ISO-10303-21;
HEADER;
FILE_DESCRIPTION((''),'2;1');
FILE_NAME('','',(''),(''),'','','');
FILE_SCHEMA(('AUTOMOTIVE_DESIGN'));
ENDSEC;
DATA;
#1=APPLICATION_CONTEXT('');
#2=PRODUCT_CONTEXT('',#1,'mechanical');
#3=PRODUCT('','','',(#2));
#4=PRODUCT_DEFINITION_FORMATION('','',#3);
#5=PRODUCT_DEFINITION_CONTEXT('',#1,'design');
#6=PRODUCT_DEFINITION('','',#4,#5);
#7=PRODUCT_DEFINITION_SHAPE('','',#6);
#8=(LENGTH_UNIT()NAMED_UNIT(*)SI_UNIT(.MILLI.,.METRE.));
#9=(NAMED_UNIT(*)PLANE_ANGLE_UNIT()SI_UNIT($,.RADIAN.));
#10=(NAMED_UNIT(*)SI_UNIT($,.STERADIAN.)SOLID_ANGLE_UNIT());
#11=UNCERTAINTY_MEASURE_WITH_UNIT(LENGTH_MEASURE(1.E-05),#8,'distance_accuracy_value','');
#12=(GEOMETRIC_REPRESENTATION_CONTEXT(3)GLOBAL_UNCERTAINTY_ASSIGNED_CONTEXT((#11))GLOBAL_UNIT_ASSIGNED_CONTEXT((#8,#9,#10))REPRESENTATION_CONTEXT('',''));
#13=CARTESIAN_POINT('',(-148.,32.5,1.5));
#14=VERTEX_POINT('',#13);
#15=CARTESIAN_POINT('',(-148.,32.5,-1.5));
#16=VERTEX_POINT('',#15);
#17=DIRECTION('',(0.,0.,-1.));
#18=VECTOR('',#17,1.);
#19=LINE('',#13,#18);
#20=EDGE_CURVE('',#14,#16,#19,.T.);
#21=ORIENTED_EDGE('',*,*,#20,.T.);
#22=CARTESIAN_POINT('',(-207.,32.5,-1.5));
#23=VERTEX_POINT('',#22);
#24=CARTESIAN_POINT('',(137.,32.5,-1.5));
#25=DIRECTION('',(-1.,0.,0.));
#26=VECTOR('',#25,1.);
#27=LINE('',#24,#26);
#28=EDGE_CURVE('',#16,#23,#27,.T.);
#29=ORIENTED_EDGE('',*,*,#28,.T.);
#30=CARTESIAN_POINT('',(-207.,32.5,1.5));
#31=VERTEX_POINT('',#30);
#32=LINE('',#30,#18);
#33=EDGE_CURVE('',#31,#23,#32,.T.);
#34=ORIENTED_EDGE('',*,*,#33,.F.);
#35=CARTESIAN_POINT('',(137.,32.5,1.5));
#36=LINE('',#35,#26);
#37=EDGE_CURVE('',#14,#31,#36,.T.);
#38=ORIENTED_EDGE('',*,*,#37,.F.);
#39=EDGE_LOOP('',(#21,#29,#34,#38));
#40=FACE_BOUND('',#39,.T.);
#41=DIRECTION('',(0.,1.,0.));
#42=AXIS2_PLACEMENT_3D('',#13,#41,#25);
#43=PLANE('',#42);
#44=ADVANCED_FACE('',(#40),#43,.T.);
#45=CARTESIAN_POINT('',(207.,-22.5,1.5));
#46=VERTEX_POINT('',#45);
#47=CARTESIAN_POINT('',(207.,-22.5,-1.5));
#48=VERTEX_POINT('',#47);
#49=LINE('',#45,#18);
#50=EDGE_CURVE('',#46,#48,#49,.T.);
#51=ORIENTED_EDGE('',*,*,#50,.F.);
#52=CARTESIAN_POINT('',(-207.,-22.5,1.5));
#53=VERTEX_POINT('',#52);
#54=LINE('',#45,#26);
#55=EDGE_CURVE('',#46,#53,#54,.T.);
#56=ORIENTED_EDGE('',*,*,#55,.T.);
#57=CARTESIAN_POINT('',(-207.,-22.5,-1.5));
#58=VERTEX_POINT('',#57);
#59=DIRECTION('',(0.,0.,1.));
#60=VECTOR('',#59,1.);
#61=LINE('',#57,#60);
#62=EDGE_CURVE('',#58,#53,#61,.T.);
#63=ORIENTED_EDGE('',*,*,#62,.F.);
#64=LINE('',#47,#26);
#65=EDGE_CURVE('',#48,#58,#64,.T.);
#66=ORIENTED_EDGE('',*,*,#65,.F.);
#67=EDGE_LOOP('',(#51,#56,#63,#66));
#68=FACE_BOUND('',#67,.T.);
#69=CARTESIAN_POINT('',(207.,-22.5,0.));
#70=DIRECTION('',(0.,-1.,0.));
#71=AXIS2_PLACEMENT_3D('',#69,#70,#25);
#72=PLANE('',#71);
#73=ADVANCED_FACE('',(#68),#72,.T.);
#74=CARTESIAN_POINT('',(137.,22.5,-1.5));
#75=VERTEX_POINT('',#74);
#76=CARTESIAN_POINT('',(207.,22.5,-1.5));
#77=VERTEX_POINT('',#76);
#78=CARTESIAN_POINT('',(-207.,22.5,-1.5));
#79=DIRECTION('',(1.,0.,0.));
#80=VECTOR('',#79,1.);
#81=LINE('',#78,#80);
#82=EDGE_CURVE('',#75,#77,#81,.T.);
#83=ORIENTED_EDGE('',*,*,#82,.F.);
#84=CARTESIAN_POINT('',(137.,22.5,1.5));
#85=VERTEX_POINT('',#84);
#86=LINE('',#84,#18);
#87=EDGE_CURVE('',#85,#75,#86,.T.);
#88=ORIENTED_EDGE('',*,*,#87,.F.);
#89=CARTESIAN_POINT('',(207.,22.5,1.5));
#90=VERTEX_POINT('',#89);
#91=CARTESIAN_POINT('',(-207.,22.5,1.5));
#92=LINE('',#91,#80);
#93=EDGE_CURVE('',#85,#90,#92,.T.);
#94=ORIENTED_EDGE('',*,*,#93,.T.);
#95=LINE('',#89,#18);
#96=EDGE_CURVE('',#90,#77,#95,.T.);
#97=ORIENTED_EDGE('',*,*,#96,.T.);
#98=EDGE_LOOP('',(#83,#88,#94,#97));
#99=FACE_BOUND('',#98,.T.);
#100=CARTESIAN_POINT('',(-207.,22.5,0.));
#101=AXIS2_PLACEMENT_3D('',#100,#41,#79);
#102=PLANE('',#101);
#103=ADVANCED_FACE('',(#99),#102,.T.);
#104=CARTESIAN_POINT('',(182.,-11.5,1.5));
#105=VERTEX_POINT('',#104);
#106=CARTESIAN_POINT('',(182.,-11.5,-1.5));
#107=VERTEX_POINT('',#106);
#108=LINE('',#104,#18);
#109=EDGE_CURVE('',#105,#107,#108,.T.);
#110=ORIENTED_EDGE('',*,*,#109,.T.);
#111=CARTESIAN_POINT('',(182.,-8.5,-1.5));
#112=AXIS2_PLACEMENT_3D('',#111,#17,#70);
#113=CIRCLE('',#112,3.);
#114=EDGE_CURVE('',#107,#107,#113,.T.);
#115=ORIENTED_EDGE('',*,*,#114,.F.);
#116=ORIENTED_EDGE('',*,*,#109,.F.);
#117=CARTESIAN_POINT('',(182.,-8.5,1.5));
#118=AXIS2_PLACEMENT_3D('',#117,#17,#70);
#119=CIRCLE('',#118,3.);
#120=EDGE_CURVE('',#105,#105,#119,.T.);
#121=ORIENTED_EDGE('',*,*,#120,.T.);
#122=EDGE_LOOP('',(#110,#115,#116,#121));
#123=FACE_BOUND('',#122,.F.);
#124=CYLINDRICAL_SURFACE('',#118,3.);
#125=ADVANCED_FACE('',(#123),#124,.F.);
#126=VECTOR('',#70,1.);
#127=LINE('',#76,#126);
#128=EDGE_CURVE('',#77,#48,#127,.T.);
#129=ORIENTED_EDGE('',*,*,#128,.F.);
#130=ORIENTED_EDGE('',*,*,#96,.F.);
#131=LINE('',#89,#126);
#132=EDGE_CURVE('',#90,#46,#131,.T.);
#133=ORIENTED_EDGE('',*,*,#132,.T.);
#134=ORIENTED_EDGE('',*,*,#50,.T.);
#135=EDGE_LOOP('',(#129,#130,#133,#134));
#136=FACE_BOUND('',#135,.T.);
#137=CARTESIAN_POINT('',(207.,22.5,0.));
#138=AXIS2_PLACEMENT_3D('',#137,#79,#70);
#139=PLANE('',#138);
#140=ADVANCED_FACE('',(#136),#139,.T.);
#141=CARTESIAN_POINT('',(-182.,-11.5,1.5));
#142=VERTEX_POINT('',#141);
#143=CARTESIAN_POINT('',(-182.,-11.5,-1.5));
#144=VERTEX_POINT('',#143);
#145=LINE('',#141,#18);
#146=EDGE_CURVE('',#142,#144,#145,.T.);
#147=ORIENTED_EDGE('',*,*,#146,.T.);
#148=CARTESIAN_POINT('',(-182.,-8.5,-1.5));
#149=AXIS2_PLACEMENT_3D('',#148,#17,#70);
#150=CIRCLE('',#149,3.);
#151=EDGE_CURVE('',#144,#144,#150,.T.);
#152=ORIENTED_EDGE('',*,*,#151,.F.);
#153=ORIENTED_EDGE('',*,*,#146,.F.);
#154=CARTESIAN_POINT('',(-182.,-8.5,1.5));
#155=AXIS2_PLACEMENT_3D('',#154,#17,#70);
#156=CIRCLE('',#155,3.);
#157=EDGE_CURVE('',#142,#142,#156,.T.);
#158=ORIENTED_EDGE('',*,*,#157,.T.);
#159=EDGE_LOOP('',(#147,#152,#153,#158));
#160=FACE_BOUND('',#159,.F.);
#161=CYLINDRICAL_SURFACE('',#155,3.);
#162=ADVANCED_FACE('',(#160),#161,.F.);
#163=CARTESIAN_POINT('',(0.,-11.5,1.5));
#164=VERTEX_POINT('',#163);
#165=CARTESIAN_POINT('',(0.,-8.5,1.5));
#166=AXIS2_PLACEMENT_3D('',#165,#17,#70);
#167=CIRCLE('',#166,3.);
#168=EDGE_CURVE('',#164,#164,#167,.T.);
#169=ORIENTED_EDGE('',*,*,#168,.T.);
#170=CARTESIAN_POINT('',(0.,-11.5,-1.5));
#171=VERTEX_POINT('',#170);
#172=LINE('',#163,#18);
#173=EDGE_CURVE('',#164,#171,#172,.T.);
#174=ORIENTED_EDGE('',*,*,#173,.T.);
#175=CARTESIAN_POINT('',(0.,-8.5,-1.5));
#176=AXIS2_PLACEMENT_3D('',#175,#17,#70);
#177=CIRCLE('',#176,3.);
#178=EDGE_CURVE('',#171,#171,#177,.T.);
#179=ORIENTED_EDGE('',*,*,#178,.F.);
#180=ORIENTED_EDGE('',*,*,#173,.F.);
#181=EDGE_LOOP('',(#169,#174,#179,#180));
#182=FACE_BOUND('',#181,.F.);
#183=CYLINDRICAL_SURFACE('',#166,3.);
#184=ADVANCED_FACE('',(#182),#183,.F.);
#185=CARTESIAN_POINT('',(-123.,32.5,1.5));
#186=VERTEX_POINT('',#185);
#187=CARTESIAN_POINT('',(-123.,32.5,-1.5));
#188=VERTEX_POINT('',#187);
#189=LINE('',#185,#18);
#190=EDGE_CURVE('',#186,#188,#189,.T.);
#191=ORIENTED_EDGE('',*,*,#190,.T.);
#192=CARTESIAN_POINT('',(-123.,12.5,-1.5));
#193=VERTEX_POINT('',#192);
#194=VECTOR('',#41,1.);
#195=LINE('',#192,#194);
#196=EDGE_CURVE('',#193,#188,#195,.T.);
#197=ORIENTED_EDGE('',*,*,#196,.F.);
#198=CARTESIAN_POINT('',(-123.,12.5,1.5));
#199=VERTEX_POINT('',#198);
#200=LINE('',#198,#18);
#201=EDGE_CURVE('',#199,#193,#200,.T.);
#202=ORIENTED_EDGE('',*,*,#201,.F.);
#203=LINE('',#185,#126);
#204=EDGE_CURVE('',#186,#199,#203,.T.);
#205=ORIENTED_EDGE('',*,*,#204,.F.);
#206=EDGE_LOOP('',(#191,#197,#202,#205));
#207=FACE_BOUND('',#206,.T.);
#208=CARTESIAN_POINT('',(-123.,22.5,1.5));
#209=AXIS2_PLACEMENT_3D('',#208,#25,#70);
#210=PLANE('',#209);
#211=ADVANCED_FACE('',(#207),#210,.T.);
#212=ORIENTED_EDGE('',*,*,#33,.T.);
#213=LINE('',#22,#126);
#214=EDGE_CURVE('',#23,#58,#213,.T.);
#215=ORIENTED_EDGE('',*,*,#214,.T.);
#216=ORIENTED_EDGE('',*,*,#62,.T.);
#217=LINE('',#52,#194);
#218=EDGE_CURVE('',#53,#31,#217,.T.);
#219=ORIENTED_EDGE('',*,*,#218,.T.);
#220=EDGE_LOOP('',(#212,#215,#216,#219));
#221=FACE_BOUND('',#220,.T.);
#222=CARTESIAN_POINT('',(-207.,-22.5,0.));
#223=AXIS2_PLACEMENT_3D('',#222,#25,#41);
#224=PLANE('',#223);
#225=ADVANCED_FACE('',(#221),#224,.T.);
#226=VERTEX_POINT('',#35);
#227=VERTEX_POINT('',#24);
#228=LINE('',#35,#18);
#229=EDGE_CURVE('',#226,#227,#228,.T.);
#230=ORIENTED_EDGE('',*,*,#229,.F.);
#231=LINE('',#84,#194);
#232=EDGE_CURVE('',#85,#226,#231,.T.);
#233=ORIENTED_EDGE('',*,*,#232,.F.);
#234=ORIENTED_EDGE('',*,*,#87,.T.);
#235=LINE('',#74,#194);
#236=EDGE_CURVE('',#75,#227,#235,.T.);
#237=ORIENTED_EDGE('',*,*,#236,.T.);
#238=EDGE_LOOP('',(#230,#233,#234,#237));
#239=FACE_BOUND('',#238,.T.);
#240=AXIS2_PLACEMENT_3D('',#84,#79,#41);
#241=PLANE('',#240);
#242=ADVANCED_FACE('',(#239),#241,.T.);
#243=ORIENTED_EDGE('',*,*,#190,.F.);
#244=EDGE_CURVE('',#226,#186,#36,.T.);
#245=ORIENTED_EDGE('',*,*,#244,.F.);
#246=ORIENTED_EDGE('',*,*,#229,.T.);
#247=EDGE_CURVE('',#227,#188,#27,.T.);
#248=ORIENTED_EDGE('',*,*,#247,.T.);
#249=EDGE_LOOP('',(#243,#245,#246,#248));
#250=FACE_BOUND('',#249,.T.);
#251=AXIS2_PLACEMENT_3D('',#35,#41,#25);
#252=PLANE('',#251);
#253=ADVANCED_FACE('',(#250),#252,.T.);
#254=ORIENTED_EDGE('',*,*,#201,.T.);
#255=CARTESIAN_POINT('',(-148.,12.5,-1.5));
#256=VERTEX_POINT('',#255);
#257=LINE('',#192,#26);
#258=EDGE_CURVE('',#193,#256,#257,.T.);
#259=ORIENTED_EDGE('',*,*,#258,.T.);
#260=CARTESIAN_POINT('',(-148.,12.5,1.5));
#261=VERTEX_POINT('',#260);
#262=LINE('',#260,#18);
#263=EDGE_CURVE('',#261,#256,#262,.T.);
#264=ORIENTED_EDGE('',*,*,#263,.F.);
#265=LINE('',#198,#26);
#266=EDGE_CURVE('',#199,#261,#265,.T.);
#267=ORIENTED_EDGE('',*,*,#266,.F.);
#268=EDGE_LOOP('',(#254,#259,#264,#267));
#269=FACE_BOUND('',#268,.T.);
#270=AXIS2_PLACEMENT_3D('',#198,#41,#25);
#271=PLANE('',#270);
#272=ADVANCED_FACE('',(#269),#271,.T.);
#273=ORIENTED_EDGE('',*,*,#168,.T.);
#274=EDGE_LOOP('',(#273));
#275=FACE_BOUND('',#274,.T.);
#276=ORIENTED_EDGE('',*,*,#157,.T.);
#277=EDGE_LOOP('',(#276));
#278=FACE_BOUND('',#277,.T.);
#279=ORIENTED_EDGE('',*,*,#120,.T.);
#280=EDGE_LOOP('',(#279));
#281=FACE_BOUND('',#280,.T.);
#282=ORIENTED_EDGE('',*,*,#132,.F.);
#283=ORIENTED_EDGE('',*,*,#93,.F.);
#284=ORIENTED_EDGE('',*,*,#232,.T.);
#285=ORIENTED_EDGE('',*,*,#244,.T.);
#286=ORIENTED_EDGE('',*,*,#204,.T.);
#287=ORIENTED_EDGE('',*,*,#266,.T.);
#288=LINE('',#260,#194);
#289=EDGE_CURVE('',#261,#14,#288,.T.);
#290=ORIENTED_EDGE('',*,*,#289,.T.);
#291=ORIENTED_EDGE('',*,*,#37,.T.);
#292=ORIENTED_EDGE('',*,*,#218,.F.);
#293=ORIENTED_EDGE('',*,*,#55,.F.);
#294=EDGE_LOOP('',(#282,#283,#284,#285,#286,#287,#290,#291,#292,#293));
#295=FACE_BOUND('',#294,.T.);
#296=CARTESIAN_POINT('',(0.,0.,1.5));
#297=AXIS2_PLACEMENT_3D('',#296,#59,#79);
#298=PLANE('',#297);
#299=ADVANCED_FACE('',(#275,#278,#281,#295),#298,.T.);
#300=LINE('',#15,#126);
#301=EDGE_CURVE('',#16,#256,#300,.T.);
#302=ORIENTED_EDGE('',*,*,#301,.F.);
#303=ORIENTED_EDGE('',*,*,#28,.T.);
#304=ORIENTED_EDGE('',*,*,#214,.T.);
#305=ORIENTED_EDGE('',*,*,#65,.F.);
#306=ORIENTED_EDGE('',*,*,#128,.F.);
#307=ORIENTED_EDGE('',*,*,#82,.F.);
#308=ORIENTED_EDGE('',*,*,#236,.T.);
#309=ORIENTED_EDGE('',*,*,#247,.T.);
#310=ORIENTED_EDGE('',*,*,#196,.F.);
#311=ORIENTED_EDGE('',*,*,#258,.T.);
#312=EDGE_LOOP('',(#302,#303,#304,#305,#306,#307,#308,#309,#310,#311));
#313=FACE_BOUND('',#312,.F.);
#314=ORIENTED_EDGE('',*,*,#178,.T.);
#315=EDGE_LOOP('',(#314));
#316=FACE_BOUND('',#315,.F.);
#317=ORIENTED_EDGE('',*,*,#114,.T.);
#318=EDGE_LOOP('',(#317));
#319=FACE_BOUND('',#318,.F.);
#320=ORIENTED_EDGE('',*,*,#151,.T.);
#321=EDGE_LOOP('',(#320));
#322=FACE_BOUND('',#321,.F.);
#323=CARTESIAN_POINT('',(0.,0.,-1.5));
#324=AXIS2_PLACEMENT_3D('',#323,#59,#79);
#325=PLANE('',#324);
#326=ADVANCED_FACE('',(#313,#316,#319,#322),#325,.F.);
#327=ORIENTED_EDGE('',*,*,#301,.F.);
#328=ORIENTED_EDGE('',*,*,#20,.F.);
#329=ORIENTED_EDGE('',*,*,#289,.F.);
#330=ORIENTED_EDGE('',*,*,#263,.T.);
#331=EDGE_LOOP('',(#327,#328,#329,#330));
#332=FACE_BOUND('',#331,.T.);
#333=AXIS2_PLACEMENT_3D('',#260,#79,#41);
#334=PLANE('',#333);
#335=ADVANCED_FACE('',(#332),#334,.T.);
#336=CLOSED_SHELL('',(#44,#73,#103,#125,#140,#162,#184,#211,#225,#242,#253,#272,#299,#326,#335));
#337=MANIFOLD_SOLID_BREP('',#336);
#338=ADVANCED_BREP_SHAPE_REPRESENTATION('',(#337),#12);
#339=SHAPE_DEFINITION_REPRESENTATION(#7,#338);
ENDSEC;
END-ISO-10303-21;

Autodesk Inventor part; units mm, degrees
ref_plane "YZ Plane" through (0, 0, 0) normal (1, 0, 0) x (0, 1, 0)
ref_plane "XZ Plane" through (0, 0, 0) normal (0, 1, 0) x (-1, 0, 0)
ref_plane "XY Plane" through (0, 0, 0) normal (0, 0, 1) x (1, 0, 0)
sketch "Sketch1" plane through (0, 0, 0) normal (0, 0, 1) x (1, 0, 0)
  line L0 (-207, 22.5) -> (207, 22.5)
  line L1 (207, 22.5) -> (207, -22.5)
  line L2 (207, -22.5) -> (-207, -22.5)
  line L3 (-207, -22.5) -> (-207, 22.5)
  line L4 (-207, 22.5) -> (207, -22.5) construction
  line L5 (207, 22.5) -> (-207, -22.5) construction
  point P0 (0, 0)
  dimension "d0" = 414
  dimension "d1" = 45
extrude "Extrusion1" add sketch "Sketch1" along normal mid plane 3
sketch "Sketch2" plane through (0, 0, 1.5) normal (0, 0, 1) x (1, 0, 0)
  line L0 (-207, 22.5) -> (-207, -22.5) projected
  line L1 (207, -22.5) -> (207, 22.5) projected
  line L2 (-207, -22.5) -> (207, -22.5) projected
  point P0 (0, 0)
  point P1 (-182, -8.5)
  point P2 (0, -8.5)
  point P3 (182, -8.5)
  dimension "d4" = 25
  dimension "d5" = 25
  dimension "d6" = 182
  dimension "d7" = 14
hole "Hole1" at (-182, -8.5, 1.5) at (0, -8.5, 1.5) at (182, -8.5, 1.5) direction (0, 0, -1) diameter 6 depth 14.2 tip angle 118
sketch "Sketch3" plane through (0, 0, 1.5) normal (0, 0, 1) x (1, 0, 0)
  line L0 (-207, 22.5) -> (207, 22.5) projected
  line L1 (-148, 22.5) -> (-123, 22.5)
  line L2 (-123, 22.5) -> (-123, 12.5)
  line L3 (-123, 12.5) -> (-148, 12.5)
  line L4 (-148, 12.5) -> (-148, 22.5)
  line L5 (207, -22.5) -> (207, 22.5) projected
  point P0 (0, 0)
  point P1 (-123, 22.5)
  dimension "d15" = 330
  dimension "d16" = 25
  dimension "d17" = 10
extrude "Extrusion2" cut sketch "Sketch3" against normal blind 3
sketch "Sketch5" plane through (0, 0, 1.5) normal (0, 0, 1) x (1, 0, 0)
  line L0 (-148, 22.5) -> (-207, 22.5) projected
  line L1 (-207, 22.5) -> (137, 22.5)
  line L2 (137, 22.5) -> (137, 32.5)
  line L3 (137, 32.5) -> (-207, 32.5)
  line L4 (-207, 32.5) -> (-207, 22.5)
  line L5 (207, -22.5) -> (207, 22.5) projected
  line L6 (-148, 22.5) -> (-148, 32.5)
  line L7 (-123, 22.5) -> (207, 22.5) projected
  line L8 (-123, 22.5) -> (-123, 32.5)
  point P0 (0, 0)
  dimension "d23" = 70
  dimension "d24" = 10
extrude "Extrusion4" add sketch "Sketch5" against normal blind 3 contours L0 L4 L3 L6 | L8 L3 L2 L1
equation "\"d5\" = d4"
properties part number "HCMUTE-CDT23-KXL_A01" material "PMMA Plastic"
